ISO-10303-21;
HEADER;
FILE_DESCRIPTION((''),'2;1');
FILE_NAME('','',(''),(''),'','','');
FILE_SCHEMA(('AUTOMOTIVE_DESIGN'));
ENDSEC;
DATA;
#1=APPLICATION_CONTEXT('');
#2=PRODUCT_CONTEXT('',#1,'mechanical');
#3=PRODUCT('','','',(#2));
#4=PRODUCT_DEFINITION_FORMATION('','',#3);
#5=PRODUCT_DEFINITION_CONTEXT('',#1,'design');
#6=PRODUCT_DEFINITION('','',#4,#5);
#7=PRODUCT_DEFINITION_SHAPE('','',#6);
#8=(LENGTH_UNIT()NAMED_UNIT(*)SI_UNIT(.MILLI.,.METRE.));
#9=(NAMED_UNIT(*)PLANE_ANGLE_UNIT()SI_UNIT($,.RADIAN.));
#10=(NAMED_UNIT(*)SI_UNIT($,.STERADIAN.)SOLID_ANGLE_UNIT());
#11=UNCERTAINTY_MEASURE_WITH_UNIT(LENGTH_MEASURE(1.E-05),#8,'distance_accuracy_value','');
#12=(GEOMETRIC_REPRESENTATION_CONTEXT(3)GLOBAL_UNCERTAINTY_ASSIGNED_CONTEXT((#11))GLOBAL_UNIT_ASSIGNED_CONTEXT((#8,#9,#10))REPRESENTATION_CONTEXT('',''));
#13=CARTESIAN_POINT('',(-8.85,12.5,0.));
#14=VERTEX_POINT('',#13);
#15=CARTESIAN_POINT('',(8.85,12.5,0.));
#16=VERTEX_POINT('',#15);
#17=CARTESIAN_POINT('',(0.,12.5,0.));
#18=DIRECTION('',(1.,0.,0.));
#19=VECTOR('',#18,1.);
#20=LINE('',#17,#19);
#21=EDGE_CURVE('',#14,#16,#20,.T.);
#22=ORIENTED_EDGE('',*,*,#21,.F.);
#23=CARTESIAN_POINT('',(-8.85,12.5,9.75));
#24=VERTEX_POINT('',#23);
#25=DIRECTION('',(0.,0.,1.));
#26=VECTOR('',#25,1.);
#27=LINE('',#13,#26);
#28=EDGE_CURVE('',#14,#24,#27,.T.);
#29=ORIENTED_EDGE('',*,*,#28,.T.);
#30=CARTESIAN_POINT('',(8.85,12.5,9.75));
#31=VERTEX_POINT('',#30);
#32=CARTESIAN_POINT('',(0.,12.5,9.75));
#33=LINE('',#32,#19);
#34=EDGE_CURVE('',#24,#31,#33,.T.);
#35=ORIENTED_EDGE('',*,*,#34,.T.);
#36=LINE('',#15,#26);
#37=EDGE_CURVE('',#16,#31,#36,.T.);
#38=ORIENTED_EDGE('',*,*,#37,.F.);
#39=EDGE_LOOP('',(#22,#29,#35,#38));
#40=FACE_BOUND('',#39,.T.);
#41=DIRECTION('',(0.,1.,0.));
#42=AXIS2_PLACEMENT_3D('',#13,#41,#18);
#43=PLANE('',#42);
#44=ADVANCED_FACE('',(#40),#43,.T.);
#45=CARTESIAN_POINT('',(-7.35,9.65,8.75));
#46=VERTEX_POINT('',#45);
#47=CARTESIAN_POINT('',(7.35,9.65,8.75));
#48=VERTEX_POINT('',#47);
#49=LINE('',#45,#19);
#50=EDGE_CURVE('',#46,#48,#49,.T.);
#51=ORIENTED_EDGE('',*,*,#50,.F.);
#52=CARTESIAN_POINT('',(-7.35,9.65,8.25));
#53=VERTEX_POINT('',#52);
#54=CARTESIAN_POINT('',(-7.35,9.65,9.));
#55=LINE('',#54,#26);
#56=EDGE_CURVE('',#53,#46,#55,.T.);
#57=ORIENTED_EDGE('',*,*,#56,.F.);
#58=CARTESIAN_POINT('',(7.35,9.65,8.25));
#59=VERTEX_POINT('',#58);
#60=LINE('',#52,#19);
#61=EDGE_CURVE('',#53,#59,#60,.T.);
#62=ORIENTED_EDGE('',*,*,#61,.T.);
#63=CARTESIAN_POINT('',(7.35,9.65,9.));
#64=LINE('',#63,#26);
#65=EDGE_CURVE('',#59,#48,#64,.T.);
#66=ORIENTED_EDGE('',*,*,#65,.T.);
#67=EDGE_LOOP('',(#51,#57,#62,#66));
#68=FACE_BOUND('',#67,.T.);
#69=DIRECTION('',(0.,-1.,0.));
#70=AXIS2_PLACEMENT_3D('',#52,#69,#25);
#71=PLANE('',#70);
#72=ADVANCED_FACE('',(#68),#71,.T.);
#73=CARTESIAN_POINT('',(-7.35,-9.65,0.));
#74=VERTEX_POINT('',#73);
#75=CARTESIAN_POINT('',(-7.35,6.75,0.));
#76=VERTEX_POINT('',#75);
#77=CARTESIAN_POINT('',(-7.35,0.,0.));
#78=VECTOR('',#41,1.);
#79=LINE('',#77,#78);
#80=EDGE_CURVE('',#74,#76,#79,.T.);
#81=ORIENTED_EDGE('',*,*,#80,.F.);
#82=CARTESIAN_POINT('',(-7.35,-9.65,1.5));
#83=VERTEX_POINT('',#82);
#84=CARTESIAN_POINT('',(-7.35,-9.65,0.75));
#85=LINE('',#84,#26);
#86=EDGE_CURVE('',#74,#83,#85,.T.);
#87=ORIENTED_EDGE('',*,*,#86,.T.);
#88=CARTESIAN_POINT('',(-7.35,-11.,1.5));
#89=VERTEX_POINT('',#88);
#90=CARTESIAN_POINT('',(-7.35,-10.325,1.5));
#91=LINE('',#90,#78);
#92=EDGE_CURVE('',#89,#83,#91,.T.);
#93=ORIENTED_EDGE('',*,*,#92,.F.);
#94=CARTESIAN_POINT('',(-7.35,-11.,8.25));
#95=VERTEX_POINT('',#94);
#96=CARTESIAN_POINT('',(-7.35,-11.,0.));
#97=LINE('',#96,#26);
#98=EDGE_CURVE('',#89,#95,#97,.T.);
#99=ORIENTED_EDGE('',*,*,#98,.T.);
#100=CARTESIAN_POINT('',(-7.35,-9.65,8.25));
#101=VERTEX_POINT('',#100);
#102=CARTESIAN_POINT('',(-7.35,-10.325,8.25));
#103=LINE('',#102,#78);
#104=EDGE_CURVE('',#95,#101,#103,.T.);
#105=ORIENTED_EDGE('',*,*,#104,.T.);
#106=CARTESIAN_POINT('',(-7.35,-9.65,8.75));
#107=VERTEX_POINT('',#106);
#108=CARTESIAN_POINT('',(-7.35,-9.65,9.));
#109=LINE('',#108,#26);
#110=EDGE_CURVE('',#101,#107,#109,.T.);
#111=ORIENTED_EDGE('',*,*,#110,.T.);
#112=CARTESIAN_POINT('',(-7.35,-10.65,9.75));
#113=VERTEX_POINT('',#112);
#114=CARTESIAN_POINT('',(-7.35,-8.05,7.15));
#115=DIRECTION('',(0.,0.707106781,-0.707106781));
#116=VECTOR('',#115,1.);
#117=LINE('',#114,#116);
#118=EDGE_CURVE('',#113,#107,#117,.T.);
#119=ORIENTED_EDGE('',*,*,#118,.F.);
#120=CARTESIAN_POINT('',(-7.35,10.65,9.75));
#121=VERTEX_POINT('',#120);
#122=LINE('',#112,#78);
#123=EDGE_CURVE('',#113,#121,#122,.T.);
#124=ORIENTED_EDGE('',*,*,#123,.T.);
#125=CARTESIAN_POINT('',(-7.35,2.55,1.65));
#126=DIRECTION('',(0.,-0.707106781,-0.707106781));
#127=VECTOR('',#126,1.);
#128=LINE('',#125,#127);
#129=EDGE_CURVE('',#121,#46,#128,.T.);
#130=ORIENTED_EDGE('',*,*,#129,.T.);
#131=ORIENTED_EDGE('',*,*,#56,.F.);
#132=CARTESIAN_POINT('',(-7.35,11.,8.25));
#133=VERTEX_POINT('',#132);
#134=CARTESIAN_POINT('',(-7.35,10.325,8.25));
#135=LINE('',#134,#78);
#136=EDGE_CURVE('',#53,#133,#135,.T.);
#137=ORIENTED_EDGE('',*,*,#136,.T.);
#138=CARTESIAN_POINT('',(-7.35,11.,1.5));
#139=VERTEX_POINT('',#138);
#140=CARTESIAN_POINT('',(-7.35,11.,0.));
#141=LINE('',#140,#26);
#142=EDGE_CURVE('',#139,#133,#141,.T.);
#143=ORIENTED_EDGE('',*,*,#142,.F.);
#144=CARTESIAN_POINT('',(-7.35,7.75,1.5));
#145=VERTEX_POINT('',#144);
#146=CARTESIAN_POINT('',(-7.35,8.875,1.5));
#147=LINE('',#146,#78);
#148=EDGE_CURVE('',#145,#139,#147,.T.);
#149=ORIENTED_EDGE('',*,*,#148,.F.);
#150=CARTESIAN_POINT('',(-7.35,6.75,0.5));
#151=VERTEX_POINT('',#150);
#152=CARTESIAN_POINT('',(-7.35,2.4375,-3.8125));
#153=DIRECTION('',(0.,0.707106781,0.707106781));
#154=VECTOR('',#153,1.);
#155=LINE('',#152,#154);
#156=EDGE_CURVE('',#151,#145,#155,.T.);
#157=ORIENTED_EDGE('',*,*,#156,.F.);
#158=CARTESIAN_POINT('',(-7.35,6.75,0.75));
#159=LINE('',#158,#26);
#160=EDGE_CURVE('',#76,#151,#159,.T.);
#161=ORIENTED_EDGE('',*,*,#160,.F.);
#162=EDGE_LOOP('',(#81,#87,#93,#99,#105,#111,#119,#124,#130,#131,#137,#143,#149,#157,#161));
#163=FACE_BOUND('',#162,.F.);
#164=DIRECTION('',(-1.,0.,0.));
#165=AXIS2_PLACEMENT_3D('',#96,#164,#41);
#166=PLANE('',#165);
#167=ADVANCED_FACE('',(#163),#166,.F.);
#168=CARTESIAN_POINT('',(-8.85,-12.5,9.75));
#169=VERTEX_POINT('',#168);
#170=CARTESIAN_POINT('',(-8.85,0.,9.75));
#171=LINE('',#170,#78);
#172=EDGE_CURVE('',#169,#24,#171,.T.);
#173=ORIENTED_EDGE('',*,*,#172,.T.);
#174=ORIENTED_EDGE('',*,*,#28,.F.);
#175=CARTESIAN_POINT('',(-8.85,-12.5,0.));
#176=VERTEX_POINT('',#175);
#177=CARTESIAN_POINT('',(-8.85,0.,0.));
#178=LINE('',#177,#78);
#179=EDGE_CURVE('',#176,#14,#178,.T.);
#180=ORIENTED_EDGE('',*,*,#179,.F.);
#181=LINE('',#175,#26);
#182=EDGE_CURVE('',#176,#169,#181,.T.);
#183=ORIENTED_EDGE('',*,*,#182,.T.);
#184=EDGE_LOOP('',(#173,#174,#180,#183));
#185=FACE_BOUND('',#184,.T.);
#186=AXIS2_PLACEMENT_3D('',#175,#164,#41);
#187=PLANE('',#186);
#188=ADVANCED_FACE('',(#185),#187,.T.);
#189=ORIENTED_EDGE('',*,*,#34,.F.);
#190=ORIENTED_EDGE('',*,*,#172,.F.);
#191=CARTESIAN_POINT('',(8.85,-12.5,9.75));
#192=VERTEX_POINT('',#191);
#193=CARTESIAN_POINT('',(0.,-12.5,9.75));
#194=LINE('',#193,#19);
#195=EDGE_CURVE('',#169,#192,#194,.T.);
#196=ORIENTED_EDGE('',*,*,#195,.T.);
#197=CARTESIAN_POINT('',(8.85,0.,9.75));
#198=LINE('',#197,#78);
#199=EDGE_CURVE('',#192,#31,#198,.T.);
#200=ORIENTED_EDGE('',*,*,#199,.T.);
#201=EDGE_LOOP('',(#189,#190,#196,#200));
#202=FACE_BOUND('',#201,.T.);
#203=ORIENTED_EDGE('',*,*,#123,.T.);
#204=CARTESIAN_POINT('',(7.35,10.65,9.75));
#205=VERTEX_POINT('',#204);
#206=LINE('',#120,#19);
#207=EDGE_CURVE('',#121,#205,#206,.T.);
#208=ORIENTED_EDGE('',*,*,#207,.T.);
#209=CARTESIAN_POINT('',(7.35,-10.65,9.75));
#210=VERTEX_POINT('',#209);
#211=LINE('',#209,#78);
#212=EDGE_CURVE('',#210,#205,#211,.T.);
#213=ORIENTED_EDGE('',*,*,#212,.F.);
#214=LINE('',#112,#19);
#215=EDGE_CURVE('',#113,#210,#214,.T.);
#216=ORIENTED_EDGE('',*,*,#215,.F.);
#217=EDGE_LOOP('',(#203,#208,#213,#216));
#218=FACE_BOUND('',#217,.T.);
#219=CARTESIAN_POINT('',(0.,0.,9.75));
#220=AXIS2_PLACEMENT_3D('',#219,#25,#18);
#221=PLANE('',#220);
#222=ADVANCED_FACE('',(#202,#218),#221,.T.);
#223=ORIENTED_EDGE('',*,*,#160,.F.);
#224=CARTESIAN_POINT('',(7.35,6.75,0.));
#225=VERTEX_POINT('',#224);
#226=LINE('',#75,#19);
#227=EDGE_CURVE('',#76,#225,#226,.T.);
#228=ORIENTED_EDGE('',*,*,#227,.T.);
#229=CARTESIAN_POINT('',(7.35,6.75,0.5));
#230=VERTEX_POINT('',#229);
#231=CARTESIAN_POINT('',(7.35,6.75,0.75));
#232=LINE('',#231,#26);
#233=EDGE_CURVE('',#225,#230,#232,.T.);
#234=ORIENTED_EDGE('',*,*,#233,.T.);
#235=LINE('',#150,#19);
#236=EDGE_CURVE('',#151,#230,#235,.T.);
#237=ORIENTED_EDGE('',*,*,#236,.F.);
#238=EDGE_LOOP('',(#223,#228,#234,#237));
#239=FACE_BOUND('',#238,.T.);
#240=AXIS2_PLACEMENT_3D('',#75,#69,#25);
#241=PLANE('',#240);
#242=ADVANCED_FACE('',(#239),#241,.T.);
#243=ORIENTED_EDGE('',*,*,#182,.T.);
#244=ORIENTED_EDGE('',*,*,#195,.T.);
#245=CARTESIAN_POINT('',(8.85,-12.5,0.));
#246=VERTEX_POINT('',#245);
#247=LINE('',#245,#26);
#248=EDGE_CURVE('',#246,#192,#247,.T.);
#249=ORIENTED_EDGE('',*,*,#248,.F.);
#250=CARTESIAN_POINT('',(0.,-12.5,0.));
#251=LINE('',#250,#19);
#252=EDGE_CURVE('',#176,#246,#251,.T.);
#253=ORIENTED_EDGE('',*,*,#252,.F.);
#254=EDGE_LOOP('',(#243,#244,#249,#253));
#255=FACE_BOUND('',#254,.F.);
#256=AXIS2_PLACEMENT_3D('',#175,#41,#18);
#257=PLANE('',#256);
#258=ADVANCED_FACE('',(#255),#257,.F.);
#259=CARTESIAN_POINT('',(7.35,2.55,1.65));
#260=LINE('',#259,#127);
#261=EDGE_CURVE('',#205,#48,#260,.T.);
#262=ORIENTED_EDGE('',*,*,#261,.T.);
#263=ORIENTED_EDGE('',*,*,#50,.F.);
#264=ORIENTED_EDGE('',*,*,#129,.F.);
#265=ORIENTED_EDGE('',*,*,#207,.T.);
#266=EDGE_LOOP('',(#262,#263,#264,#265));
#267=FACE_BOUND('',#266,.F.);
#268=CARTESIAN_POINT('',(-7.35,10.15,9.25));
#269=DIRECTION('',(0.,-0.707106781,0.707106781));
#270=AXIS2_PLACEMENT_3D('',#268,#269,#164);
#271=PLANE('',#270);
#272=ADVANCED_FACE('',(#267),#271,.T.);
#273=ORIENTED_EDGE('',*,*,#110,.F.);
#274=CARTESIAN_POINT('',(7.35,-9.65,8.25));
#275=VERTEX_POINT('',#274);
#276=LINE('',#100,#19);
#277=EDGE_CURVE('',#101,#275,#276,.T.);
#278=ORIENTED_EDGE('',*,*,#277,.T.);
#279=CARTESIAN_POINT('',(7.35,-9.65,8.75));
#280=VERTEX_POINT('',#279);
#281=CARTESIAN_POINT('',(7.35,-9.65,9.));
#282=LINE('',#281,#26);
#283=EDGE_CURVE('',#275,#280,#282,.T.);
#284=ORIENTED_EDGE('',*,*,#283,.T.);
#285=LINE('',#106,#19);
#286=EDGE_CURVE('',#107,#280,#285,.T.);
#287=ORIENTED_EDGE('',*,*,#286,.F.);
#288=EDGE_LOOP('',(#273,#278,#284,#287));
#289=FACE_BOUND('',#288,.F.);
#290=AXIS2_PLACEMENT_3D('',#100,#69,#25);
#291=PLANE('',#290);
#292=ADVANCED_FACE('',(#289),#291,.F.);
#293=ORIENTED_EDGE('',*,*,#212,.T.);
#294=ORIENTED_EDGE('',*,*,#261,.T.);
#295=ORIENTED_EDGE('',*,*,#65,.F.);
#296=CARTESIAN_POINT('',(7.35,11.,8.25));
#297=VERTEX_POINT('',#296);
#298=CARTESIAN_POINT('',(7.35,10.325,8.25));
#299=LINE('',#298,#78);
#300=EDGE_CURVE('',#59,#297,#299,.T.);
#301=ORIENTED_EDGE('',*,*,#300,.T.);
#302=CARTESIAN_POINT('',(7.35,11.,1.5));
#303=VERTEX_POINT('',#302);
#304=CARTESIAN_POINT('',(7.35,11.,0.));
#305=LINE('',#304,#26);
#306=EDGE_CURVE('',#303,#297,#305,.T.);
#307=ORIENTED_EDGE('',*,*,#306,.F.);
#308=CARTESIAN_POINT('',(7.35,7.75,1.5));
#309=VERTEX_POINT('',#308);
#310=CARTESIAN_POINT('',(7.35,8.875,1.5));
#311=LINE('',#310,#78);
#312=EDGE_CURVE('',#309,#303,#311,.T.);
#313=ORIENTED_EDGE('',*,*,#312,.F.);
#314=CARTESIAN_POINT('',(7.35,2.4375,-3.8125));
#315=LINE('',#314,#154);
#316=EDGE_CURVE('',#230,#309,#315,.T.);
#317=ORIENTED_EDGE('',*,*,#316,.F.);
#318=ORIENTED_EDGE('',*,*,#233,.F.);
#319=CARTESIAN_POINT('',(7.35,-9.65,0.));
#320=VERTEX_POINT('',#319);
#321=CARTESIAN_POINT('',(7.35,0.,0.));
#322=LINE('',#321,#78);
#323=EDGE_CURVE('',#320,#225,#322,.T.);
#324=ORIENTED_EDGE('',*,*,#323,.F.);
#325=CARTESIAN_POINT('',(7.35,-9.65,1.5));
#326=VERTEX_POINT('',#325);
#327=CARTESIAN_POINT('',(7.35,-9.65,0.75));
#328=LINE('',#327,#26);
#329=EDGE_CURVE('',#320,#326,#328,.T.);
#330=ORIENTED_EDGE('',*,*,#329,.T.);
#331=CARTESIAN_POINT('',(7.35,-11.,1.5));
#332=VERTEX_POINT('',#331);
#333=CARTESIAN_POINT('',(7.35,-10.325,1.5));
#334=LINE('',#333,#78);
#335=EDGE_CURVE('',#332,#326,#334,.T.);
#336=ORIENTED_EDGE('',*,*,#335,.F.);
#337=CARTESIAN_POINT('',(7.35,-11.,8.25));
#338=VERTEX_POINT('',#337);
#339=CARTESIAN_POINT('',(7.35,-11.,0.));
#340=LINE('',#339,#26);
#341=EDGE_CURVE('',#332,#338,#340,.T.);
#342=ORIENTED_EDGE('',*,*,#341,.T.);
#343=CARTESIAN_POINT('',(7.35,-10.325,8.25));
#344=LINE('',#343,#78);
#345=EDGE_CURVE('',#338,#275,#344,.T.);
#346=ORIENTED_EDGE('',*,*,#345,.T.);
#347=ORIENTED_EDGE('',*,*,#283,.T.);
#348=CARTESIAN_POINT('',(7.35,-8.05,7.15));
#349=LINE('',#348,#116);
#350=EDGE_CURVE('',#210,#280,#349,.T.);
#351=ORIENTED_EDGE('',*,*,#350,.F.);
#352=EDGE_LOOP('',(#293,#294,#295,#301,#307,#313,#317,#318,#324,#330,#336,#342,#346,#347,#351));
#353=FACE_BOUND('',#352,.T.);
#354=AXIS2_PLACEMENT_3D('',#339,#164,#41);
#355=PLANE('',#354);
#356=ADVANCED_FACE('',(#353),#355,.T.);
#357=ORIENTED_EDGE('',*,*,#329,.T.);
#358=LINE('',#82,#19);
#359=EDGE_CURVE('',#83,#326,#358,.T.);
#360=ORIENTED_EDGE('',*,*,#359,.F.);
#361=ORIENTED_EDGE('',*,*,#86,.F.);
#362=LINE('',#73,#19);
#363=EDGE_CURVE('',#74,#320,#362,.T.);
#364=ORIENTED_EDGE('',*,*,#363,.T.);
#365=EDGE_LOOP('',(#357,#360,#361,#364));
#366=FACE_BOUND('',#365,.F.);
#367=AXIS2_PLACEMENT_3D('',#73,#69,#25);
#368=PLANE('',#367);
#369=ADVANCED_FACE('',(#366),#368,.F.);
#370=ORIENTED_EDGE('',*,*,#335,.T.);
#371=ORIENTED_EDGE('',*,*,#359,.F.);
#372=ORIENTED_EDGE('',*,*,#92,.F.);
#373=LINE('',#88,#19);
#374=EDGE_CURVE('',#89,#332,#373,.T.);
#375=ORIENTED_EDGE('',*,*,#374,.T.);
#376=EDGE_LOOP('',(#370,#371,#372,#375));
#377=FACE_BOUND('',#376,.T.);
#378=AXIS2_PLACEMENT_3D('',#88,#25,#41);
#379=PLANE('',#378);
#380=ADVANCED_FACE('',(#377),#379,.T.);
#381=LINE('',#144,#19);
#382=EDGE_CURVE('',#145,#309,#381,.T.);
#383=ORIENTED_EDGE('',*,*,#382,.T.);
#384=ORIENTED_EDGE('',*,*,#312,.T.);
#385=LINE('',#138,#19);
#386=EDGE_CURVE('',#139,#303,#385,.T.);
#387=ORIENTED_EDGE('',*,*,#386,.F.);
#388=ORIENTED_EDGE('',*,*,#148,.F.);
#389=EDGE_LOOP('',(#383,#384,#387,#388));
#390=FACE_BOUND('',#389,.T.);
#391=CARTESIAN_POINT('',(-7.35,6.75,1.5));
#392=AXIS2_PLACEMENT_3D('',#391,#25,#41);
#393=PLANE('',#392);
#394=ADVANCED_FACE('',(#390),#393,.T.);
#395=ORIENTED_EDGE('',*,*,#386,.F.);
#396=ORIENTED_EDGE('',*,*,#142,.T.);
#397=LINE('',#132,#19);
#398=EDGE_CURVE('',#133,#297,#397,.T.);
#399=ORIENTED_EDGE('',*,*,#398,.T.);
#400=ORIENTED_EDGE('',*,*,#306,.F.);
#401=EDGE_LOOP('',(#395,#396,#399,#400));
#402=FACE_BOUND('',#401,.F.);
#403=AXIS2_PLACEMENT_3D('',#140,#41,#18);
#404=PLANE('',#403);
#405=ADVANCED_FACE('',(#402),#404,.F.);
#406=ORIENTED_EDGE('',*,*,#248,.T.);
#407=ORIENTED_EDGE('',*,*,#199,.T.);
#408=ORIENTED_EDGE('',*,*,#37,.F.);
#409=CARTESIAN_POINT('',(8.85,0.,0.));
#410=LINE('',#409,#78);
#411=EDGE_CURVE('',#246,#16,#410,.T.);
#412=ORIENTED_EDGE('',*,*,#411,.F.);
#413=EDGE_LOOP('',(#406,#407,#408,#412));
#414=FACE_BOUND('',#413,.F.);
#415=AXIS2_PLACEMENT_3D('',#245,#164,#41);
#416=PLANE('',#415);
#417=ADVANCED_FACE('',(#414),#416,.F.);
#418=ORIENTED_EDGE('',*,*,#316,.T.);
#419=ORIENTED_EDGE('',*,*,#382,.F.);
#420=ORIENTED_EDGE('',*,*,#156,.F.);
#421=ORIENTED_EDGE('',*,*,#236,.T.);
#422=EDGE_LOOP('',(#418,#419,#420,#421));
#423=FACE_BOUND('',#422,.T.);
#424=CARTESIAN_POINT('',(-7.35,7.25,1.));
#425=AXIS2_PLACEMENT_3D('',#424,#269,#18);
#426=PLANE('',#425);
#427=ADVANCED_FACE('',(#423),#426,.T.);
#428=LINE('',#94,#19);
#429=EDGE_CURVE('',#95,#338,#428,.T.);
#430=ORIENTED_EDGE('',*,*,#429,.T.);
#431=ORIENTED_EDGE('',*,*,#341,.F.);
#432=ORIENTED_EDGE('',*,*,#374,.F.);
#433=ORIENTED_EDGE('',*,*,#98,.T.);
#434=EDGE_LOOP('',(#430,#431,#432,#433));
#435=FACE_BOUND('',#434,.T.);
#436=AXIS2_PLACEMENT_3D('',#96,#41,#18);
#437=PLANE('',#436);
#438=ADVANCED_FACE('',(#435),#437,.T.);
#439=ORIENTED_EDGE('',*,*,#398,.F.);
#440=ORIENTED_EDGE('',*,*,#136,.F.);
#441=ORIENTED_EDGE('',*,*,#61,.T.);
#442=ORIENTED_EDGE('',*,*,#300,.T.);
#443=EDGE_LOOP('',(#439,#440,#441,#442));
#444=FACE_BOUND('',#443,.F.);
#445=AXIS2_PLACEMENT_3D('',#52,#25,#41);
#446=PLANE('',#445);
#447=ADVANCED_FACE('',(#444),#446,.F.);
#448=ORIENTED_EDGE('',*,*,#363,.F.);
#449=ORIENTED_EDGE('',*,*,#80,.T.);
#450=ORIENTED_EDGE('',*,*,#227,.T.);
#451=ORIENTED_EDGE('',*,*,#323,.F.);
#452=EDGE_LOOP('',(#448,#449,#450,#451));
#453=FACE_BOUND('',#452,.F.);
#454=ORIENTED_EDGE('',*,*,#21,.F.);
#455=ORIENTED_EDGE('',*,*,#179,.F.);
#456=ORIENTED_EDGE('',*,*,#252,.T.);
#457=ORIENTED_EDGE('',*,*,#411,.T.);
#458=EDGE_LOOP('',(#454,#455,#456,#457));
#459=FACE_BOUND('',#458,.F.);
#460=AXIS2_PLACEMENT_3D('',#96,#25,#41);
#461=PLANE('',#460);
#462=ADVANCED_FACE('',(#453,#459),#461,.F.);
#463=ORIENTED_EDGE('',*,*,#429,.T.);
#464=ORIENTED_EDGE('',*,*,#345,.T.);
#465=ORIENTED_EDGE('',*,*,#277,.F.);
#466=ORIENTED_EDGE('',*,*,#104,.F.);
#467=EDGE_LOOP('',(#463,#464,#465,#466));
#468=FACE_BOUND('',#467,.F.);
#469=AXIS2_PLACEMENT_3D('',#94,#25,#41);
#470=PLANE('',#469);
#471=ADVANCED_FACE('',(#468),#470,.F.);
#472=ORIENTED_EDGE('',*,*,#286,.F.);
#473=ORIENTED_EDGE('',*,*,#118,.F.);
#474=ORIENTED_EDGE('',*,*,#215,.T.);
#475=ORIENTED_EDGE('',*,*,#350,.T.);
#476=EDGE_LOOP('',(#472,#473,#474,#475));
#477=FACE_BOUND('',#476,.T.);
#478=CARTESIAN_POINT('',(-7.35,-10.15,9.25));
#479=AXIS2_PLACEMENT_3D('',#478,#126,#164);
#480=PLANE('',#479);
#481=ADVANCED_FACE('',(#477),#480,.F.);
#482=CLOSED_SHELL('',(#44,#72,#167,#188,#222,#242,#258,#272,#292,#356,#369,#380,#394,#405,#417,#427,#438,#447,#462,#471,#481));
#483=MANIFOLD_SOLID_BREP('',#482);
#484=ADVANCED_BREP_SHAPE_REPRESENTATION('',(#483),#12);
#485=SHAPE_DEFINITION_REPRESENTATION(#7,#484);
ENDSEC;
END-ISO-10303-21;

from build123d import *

# Parameters (mm, degrees)
SKETCH013_W   = 17.7
SKETCH013_H   = 25
SKETCH013_W_2 = 14.7
SKETCH013_H_2 = 22
PAD001_DEPTH  = 9.75
SKETCH014_W   = 1.35
SKETCH014_H   = 1.5
SKETCH014_W_2 = 4.25
PAD002_DEPTH  = 14.7
CHAMFER_SIZE  = 1


with BuildPart() as part:
    # Sketch013 → Pad001 (new body)
    with BuildSketch(Plane.XY):
        Rectangle(SKETCH013_W, SKETCH013_H)
        Rectangle(SKETCH013_W_2, SKETCH013_H_2, mode=Mode.SUBTRACT)
    extrude(amount=PAD001_DEPTH)

    # Sketch014 (on Face7 of Pad001) → Pad002 (join)
    with BuildSketch(Plane.YZ.offset(-7.35)):
        with Locations((-10.325, 0.75)):
            Rectangle(SKETCH014_W, SKETCH014_H)
        with Locations((-10.325, 9)):
            Rectangle(SKETCH014_W, SKETCH014_H)
        with Locations((10.325, 9)):
            Rectangle(SKETCH014_W, SKETCH014_H)
        with Locations((8.875, 0.75)):
            Rectangle(SKETCH014_W_2, SKETCH014_H)
    extrude(amount=PAD002_DEPTH)

    # Chamfer
    chamfer_edges = [part.edges().sort_by_distance(p)[0] for p in [
        (0, -9.65, 9.75),
        (0, 9.65, 9.75),
        (0, 6.75, 1.5),
    ]]
    chamfer(chamfer_edges, length=CHAMFER_SIZE)


solid = part.part
